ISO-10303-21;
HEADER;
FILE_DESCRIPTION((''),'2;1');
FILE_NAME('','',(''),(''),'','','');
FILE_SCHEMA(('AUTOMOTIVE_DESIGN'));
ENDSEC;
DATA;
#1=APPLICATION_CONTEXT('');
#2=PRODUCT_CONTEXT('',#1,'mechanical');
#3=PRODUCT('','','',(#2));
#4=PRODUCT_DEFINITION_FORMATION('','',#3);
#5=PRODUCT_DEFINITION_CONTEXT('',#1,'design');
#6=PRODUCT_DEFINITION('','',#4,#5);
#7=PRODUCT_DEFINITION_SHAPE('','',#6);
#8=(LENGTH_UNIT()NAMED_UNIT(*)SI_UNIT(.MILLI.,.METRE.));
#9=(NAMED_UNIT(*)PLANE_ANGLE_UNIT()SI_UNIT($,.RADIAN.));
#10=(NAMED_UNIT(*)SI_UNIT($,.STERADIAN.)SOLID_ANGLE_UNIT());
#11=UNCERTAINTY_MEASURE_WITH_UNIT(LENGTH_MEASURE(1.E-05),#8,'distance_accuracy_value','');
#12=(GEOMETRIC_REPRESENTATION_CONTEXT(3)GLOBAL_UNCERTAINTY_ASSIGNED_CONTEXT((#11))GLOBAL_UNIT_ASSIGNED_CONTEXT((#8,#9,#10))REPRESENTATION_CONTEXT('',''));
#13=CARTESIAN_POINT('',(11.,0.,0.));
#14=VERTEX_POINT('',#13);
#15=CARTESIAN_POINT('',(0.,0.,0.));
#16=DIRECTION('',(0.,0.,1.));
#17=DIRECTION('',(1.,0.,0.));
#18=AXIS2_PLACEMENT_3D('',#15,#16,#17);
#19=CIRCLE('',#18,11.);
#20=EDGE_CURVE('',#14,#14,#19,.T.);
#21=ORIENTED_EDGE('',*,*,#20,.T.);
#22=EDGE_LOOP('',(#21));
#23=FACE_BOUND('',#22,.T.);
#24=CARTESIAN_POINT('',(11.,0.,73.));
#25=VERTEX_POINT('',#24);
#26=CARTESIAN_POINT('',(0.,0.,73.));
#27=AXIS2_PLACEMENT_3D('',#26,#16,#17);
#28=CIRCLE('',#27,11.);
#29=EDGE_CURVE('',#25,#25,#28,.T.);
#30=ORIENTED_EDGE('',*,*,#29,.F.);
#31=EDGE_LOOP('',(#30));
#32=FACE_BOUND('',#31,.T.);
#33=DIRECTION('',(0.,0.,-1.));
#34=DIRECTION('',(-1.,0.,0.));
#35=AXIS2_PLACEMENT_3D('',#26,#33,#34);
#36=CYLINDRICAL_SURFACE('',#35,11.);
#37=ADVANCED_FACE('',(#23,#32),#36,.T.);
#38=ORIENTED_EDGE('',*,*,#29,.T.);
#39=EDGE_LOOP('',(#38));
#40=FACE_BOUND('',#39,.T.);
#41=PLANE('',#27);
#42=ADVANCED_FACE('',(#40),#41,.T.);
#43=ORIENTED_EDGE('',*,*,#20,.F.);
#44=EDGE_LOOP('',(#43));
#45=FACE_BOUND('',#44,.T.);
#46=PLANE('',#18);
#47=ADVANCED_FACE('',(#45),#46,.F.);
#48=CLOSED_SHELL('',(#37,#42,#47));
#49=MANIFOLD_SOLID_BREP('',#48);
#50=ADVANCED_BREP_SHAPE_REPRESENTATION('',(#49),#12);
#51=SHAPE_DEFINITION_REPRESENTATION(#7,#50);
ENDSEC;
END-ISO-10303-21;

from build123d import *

# Parameters (mm, degrees)
IZIM1_R                     = 11
Y_KSEKLIK_EKSTR_ZYON1_DEPTH = 73


with BuildPart() as part:
    # Çizim1 → Yükseklik-Ekstrüzyon1 (new body)
    with BuildSketch(Plane(origin=(0, 0, 0), x_dir=(0, 1, 0), z_dir=(0, 0, 1))):
        Circle(IZIM1_R)
    extrude(amount=Y_KSEKLIK_EKSTR_ZYON1_DEPTH)


solid = part.part
